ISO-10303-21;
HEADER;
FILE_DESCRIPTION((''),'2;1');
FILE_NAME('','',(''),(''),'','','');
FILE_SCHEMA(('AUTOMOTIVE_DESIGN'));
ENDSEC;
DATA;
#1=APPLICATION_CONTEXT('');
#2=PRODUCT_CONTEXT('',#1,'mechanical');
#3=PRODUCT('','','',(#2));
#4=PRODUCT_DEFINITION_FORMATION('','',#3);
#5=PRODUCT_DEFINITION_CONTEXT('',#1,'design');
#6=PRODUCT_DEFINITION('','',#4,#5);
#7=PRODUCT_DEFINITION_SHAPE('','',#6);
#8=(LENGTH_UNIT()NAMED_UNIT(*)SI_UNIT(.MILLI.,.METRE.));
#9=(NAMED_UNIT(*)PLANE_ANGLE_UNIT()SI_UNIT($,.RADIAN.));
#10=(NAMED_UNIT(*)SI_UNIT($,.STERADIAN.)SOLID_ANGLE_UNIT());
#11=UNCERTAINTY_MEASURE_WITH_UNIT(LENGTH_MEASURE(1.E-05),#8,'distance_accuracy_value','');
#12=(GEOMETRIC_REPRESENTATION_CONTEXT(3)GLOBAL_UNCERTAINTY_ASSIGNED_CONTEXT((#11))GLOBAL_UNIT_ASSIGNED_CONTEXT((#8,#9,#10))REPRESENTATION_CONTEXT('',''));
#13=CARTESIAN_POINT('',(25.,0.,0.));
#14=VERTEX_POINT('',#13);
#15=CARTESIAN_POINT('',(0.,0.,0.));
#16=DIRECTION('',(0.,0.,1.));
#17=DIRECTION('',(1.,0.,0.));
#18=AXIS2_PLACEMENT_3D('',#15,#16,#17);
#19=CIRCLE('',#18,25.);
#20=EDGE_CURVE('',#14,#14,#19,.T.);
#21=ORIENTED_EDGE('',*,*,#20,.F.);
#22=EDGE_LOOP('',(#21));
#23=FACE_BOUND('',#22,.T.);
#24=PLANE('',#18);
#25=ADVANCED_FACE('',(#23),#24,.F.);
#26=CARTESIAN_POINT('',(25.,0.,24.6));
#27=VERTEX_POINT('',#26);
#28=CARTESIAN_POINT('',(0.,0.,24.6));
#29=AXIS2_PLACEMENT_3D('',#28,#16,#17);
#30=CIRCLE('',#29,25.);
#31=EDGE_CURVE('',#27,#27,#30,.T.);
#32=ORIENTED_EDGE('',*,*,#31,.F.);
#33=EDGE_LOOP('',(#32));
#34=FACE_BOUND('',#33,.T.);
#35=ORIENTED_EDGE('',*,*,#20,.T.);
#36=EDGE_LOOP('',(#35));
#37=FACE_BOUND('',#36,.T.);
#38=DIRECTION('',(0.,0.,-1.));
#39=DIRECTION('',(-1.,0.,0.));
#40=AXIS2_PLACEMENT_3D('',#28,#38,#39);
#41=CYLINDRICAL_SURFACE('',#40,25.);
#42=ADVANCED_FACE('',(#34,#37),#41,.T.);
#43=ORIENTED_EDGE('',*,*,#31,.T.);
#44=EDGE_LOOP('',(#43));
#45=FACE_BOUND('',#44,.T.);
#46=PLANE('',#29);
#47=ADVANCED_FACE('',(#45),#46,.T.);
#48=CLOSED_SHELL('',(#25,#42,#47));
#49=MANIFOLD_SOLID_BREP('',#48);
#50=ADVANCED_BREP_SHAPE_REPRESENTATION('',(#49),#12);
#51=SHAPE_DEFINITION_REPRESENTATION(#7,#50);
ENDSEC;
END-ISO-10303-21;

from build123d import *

# Parameters (mm, degrees)
ESQUISSE1_R        = 25
BOSS_EXTRU_1_DEPTH = 24.6


with BuildPart() as part:
    # Esquisse1 → Boss.-Extru.1 (new body)
    with BuildSketch(Plane.XY):
        Circle(ESQUISSE1_R)
    extrude(amount=BOSS_EXTRU_1_DEPTH)


solid = part.part
